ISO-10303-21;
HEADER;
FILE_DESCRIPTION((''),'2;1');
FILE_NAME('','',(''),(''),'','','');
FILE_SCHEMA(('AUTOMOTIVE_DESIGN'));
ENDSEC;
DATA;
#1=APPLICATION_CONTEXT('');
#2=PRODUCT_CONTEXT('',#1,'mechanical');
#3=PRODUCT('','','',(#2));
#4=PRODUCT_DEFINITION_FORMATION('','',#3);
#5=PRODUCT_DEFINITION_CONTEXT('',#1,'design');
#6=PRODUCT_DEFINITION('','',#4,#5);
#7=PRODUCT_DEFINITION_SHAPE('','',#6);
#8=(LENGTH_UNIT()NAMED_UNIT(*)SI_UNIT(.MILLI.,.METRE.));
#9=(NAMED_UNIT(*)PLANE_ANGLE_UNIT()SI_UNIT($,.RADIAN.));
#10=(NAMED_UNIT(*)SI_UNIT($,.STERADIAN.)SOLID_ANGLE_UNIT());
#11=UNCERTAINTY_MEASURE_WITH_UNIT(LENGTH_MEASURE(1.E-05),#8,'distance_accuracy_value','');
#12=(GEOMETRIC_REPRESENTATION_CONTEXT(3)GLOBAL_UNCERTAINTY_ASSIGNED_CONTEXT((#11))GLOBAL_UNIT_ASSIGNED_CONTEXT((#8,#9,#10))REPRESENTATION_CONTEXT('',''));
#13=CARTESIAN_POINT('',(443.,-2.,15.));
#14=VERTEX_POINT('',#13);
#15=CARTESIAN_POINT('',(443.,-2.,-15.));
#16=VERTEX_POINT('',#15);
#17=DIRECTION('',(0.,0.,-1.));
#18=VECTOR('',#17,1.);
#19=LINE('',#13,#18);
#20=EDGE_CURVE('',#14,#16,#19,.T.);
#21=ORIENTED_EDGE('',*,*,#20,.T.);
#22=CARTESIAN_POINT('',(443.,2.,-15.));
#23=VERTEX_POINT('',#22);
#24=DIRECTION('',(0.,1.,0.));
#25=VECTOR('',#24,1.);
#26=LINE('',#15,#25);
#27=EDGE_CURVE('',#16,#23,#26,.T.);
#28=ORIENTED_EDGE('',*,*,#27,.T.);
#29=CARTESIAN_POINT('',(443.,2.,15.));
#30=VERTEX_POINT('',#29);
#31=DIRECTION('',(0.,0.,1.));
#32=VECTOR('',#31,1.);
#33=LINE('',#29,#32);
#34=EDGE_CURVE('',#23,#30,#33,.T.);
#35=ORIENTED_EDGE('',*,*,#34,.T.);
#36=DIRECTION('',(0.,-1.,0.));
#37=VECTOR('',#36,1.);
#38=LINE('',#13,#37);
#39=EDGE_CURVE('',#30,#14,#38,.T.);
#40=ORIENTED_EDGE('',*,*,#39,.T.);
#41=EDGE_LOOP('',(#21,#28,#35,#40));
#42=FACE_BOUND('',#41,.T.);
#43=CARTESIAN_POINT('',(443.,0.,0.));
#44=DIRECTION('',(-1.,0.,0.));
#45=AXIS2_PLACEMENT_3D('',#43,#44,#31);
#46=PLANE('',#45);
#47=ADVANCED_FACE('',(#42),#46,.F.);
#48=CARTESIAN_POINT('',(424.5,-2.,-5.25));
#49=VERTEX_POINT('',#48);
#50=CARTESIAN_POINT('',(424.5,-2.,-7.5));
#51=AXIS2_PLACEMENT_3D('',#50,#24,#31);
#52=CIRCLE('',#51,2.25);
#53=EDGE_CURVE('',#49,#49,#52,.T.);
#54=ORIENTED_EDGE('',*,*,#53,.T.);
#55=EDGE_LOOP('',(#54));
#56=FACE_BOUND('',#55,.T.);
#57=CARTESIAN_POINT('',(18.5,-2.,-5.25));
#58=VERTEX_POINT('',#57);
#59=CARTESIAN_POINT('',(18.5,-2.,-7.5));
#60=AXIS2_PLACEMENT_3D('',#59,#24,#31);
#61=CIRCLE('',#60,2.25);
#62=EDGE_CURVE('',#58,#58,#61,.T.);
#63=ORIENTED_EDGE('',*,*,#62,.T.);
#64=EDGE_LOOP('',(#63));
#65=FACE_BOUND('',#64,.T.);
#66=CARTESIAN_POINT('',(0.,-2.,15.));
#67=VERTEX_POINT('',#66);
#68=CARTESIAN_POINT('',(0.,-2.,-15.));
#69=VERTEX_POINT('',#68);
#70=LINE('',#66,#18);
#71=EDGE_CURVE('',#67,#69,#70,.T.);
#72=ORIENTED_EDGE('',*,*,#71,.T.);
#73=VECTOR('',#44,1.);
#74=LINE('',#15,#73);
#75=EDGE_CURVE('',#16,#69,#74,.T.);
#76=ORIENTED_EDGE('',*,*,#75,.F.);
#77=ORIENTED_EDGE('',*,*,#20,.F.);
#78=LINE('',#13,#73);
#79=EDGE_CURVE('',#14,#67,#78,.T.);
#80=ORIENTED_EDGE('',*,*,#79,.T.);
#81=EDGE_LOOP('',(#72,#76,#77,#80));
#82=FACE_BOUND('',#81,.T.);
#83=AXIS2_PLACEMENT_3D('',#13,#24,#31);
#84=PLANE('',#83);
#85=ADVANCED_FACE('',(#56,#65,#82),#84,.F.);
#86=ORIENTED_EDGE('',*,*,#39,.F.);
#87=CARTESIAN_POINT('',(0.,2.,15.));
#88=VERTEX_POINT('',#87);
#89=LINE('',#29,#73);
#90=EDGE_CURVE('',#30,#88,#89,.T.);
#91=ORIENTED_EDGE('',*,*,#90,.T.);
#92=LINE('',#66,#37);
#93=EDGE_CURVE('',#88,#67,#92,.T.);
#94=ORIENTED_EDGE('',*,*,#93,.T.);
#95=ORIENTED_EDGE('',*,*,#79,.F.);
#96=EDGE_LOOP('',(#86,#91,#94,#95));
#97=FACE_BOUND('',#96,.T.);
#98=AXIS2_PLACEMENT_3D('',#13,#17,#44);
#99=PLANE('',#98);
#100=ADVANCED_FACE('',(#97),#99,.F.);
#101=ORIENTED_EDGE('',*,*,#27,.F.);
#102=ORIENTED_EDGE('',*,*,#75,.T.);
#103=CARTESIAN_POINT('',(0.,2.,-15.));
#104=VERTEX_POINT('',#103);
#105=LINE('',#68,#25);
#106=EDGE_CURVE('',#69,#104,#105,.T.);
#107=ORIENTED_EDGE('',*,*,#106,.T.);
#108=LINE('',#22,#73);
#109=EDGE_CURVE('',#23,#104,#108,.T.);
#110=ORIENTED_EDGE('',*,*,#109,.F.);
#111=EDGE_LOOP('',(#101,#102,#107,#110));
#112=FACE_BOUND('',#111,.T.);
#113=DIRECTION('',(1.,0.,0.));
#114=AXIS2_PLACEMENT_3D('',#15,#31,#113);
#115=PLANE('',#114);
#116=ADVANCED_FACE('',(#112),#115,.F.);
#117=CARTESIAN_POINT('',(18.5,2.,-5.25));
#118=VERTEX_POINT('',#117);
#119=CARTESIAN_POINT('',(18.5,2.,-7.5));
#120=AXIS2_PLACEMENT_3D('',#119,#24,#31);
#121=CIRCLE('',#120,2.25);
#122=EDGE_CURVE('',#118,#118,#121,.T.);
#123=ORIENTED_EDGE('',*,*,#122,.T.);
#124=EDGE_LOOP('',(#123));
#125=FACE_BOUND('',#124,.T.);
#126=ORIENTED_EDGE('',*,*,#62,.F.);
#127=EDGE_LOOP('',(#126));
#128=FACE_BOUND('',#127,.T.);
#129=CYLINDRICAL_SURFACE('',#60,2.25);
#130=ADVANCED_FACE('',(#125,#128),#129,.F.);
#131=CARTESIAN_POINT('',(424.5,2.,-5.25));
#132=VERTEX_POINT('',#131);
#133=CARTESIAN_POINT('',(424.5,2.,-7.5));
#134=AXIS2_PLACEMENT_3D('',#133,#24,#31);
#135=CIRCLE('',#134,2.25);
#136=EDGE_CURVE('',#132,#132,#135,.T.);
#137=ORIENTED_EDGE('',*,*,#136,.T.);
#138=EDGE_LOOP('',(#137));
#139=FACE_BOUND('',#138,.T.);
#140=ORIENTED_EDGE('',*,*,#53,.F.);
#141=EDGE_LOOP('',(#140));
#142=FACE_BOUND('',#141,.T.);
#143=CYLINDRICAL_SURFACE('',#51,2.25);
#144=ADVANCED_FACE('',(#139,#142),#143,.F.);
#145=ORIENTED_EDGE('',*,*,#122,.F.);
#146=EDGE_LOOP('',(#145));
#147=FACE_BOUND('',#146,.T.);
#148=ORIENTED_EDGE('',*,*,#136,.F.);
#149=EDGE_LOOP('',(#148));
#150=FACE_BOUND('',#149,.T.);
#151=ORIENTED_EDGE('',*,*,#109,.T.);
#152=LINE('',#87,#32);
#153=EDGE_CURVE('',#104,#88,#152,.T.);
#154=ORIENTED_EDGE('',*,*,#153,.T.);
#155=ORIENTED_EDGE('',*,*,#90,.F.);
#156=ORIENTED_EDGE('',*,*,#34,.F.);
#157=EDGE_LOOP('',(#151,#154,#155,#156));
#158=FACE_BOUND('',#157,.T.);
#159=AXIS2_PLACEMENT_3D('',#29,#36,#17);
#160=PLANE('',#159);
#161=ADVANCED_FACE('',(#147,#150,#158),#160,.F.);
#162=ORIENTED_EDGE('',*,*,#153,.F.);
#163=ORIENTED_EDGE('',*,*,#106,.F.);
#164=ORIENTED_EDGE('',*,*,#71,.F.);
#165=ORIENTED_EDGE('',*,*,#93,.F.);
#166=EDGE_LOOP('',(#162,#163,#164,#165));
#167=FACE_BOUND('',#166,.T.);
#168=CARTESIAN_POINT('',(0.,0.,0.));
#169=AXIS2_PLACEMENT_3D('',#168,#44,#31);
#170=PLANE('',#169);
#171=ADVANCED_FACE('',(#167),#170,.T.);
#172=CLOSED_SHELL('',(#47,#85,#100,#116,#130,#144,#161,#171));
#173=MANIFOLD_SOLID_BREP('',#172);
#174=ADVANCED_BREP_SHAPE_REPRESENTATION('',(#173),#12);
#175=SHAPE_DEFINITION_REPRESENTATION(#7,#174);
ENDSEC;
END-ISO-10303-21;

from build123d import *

# Parameters (mm, degrees)
SKETCH_1_W          = 30
SKETCH_1_H          = 4
EXTRUDE_1_DEPTH     = 443
SKETCH_2_R          = 2.25
CUT_EXTRUDE_1_DEPTH = 5


with BuildPart() as part:
    # Эскиз1 → Бобышка-Вытянуть1 (new body)
    with BuildSketch(Plane(origin=(0, 0, 0), x_dir=(0, 0, -1), z_dir=(1, 0, 0))):
        Rectangle(SKETCH_1_W, SKETCH_1_H)
    extrude(amount=EXTRUDE_1_DEPTH)

    # Эскиз2 → Вырез-Вытянуть1 (cut, through all)
    with BuildSketch(Plane(origin=(0, 2, 0), x_dir=(1, 0, 0), z_dir=(0, 1, 0))):
        with Locations((18.5, 7.5)):
            Circle(SKETCH_2_R)
        with Locations((424.5, 7.5)):
            Circle(SKETCH_2_R)
    extrude(amount=-CUT_EXTRUDE_1_DEPTH, mode=Mode.SUBTRACT)


solid = part.part
